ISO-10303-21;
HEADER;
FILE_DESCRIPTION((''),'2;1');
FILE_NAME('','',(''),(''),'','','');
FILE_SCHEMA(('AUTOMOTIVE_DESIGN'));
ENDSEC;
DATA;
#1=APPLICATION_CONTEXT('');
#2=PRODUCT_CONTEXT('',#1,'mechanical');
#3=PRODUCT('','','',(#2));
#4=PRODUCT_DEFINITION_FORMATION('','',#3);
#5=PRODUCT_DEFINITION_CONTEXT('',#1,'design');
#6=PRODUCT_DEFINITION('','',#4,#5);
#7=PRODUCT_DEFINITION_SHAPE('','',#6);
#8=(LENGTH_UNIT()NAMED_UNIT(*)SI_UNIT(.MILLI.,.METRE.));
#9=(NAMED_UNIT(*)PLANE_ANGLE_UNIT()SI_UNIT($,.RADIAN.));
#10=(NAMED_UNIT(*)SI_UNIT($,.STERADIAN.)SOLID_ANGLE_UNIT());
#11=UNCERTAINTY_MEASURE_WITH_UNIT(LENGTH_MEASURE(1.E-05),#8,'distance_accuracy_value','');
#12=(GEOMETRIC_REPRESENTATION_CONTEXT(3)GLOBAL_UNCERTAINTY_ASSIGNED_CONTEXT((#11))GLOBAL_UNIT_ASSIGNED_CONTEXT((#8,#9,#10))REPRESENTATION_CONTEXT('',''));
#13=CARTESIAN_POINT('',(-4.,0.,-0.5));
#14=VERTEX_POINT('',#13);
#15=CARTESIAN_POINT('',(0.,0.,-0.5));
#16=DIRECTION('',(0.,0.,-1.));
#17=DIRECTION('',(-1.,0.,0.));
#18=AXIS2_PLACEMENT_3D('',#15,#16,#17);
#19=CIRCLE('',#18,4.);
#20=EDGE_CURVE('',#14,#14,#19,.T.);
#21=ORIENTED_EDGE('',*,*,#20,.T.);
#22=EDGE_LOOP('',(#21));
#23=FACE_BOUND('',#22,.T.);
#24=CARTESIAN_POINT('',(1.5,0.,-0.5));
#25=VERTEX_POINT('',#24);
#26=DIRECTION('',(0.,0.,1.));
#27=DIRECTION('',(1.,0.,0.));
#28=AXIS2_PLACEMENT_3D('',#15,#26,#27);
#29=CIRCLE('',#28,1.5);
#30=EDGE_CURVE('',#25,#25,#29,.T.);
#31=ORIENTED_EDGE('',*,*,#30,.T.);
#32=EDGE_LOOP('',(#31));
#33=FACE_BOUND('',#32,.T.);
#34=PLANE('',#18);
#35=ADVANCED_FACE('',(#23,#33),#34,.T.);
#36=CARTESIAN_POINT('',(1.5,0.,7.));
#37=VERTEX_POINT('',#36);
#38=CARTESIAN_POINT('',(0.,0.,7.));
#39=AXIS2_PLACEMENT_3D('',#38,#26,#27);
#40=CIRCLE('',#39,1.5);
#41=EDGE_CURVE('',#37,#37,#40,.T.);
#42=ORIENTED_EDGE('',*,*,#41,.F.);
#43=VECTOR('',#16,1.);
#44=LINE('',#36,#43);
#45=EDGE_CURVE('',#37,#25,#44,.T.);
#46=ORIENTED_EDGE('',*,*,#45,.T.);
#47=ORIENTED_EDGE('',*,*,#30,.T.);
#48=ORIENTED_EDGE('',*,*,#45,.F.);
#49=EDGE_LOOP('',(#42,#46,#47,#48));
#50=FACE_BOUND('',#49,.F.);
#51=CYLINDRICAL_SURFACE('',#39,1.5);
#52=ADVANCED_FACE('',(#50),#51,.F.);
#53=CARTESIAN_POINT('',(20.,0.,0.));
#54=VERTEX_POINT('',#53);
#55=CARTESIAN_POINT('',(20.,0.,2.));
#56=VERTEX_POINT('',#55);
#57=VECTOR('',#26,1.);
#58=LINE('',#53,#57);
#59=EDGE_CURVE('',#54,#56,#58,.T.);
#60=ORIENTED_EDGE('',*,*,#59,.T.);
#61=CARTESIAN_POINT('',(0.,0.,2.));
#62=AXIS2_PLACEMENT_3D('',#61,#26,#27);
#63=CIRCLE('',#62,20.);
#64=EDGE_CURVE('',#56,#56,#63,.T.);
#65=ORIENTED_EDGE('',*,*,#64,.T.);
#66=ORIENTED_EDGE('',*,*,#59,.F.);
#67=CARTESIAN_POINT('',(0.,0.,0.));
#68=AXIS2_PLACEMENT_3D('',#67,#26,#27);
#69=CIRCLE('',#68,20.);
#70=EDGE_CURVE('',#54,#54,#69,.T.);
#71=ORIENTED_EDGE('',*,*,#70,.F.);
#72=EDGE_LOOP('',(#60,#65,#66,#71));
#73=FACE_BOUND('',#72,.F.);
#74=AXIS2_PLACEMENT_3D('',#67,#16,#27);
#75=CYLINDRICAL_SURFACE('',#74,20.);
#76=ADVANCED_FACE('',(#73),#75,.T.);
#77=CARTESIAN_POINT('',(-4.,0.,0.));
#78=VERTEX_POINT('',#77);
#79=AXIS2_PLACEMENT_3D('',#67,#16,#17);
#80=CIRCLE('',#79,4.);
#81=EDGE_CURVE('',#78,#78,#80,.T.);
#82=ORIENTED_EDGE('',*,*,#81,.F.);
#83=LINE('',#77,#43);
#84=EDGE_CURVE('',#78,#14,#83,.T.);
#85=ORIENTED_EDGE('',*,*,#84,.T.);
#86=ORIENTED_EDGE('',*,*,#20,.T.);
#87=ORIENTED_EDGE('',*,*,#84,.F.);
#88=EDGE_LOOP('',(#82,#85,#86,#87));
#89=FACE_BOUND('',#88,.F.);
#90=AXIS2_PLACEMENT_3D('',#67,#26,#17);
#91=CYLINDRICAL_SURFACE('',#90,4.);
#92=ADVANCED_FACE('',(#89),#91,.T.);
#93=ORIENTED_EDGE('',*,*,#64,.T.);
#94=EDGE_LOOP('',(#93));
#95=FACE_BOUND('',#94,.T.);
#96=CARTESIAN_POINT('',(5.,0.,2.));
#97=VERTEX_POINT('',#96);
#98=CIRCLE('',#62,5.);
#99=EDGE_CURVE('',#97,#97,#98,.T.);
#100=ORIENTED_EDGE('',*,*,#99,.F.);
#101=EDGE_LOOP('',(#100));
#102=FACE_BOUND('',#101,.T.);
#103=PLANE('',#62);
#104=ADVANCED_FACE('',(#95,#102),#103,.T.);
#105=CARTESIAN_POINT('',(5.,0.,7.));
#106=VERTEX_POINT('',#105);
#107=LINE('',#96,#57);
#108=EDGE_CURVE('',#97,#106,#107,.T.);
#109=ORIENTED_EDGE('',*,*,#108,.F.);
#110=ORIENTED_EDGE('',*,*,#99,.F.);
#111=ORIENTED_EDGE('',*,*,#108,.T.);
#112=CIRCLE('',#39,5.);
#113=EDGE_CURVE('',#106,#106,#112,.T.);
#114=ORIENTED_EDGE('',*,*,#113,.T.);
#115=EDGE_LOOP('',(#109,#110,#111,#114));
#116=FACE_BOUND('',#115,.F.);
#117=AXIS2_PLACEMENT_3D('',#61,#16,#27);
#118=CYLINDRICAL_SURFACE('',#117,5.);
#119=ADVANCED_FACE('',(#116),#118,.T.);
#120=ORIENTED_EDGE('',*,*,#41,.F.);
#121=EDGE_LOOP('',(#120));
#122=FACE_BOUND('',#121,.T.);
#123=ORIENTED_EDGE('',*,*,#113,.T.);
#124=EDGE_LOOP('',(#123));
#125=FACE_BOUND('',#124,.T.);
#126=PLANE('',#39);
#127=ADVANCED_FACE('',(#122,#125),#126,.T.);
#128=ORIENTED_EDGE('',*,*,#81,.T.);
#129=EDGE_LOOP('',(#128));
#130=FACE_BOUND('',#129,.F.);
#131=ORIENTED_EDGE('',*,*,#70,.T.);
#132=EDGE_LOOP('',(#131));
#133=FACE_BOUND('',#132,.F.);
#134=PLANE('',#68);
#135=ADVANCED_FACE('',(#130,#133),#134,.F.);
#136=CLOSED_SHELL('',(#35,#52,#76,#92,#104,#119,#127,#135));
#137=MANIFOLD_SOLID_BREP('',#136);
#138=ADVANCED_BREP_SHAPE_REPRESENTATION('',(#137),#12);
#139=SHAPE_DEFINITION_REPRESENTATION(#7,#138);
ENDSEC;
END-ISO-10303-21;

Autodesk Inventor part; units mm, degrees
ref_plane "YZ Plane" through (0, 0, 0) normal (1, 0, 0) x (0, 1, 0)
ref_plane "XZ Plane" through (0, 0, 0) normal (0, 1, 0) x (-1, 0, 0)
ref_plane "XY Plane" through (0, 0, 0) normal (0, 0, 1) x (1, 0, 0)
sketch "スケッチ4" plane through (0, 0, 0) normal (0, 0, 1) x (1, 0, 0)
  circle A0 centre (0, 0) radius 20
  dimension "d22" = 40
extrude "押し出し3" add sketch "スケッチ4" along normal blind 2
sketch "スケッチ5" plane through (0, 0, 2) normal (0, 0, 1) x (1, 0, 0)
  circle A0 centre (0, 0) radius 5
  dimension "d25" = 10
extrude "押し出し4" add sketch "スケッチ5" along normal blind 5
sketch "スケッチ6" plane through (0, 0, 0) normal (0, 0, -1) x (-1, 0, 0)
  circle A0 centre (0, 0) radius 4
  dimension "d28" = 8
extrude "押し出し5" add sketch "スケッチ6" along normal blind 0.5
sketch "スケッチ7" plane through (0, 0, 7) normal (0, 0, 1) x (1, 0, 0)
  circle A0 centre (0, 0) radius 1.5
  dimension "d31" = 3
extrude "押し出し6" cut sketch "スケッチ7" against normal blind 10
properties part number "Gear4_S50B 80B+0203" material "真鍮"
